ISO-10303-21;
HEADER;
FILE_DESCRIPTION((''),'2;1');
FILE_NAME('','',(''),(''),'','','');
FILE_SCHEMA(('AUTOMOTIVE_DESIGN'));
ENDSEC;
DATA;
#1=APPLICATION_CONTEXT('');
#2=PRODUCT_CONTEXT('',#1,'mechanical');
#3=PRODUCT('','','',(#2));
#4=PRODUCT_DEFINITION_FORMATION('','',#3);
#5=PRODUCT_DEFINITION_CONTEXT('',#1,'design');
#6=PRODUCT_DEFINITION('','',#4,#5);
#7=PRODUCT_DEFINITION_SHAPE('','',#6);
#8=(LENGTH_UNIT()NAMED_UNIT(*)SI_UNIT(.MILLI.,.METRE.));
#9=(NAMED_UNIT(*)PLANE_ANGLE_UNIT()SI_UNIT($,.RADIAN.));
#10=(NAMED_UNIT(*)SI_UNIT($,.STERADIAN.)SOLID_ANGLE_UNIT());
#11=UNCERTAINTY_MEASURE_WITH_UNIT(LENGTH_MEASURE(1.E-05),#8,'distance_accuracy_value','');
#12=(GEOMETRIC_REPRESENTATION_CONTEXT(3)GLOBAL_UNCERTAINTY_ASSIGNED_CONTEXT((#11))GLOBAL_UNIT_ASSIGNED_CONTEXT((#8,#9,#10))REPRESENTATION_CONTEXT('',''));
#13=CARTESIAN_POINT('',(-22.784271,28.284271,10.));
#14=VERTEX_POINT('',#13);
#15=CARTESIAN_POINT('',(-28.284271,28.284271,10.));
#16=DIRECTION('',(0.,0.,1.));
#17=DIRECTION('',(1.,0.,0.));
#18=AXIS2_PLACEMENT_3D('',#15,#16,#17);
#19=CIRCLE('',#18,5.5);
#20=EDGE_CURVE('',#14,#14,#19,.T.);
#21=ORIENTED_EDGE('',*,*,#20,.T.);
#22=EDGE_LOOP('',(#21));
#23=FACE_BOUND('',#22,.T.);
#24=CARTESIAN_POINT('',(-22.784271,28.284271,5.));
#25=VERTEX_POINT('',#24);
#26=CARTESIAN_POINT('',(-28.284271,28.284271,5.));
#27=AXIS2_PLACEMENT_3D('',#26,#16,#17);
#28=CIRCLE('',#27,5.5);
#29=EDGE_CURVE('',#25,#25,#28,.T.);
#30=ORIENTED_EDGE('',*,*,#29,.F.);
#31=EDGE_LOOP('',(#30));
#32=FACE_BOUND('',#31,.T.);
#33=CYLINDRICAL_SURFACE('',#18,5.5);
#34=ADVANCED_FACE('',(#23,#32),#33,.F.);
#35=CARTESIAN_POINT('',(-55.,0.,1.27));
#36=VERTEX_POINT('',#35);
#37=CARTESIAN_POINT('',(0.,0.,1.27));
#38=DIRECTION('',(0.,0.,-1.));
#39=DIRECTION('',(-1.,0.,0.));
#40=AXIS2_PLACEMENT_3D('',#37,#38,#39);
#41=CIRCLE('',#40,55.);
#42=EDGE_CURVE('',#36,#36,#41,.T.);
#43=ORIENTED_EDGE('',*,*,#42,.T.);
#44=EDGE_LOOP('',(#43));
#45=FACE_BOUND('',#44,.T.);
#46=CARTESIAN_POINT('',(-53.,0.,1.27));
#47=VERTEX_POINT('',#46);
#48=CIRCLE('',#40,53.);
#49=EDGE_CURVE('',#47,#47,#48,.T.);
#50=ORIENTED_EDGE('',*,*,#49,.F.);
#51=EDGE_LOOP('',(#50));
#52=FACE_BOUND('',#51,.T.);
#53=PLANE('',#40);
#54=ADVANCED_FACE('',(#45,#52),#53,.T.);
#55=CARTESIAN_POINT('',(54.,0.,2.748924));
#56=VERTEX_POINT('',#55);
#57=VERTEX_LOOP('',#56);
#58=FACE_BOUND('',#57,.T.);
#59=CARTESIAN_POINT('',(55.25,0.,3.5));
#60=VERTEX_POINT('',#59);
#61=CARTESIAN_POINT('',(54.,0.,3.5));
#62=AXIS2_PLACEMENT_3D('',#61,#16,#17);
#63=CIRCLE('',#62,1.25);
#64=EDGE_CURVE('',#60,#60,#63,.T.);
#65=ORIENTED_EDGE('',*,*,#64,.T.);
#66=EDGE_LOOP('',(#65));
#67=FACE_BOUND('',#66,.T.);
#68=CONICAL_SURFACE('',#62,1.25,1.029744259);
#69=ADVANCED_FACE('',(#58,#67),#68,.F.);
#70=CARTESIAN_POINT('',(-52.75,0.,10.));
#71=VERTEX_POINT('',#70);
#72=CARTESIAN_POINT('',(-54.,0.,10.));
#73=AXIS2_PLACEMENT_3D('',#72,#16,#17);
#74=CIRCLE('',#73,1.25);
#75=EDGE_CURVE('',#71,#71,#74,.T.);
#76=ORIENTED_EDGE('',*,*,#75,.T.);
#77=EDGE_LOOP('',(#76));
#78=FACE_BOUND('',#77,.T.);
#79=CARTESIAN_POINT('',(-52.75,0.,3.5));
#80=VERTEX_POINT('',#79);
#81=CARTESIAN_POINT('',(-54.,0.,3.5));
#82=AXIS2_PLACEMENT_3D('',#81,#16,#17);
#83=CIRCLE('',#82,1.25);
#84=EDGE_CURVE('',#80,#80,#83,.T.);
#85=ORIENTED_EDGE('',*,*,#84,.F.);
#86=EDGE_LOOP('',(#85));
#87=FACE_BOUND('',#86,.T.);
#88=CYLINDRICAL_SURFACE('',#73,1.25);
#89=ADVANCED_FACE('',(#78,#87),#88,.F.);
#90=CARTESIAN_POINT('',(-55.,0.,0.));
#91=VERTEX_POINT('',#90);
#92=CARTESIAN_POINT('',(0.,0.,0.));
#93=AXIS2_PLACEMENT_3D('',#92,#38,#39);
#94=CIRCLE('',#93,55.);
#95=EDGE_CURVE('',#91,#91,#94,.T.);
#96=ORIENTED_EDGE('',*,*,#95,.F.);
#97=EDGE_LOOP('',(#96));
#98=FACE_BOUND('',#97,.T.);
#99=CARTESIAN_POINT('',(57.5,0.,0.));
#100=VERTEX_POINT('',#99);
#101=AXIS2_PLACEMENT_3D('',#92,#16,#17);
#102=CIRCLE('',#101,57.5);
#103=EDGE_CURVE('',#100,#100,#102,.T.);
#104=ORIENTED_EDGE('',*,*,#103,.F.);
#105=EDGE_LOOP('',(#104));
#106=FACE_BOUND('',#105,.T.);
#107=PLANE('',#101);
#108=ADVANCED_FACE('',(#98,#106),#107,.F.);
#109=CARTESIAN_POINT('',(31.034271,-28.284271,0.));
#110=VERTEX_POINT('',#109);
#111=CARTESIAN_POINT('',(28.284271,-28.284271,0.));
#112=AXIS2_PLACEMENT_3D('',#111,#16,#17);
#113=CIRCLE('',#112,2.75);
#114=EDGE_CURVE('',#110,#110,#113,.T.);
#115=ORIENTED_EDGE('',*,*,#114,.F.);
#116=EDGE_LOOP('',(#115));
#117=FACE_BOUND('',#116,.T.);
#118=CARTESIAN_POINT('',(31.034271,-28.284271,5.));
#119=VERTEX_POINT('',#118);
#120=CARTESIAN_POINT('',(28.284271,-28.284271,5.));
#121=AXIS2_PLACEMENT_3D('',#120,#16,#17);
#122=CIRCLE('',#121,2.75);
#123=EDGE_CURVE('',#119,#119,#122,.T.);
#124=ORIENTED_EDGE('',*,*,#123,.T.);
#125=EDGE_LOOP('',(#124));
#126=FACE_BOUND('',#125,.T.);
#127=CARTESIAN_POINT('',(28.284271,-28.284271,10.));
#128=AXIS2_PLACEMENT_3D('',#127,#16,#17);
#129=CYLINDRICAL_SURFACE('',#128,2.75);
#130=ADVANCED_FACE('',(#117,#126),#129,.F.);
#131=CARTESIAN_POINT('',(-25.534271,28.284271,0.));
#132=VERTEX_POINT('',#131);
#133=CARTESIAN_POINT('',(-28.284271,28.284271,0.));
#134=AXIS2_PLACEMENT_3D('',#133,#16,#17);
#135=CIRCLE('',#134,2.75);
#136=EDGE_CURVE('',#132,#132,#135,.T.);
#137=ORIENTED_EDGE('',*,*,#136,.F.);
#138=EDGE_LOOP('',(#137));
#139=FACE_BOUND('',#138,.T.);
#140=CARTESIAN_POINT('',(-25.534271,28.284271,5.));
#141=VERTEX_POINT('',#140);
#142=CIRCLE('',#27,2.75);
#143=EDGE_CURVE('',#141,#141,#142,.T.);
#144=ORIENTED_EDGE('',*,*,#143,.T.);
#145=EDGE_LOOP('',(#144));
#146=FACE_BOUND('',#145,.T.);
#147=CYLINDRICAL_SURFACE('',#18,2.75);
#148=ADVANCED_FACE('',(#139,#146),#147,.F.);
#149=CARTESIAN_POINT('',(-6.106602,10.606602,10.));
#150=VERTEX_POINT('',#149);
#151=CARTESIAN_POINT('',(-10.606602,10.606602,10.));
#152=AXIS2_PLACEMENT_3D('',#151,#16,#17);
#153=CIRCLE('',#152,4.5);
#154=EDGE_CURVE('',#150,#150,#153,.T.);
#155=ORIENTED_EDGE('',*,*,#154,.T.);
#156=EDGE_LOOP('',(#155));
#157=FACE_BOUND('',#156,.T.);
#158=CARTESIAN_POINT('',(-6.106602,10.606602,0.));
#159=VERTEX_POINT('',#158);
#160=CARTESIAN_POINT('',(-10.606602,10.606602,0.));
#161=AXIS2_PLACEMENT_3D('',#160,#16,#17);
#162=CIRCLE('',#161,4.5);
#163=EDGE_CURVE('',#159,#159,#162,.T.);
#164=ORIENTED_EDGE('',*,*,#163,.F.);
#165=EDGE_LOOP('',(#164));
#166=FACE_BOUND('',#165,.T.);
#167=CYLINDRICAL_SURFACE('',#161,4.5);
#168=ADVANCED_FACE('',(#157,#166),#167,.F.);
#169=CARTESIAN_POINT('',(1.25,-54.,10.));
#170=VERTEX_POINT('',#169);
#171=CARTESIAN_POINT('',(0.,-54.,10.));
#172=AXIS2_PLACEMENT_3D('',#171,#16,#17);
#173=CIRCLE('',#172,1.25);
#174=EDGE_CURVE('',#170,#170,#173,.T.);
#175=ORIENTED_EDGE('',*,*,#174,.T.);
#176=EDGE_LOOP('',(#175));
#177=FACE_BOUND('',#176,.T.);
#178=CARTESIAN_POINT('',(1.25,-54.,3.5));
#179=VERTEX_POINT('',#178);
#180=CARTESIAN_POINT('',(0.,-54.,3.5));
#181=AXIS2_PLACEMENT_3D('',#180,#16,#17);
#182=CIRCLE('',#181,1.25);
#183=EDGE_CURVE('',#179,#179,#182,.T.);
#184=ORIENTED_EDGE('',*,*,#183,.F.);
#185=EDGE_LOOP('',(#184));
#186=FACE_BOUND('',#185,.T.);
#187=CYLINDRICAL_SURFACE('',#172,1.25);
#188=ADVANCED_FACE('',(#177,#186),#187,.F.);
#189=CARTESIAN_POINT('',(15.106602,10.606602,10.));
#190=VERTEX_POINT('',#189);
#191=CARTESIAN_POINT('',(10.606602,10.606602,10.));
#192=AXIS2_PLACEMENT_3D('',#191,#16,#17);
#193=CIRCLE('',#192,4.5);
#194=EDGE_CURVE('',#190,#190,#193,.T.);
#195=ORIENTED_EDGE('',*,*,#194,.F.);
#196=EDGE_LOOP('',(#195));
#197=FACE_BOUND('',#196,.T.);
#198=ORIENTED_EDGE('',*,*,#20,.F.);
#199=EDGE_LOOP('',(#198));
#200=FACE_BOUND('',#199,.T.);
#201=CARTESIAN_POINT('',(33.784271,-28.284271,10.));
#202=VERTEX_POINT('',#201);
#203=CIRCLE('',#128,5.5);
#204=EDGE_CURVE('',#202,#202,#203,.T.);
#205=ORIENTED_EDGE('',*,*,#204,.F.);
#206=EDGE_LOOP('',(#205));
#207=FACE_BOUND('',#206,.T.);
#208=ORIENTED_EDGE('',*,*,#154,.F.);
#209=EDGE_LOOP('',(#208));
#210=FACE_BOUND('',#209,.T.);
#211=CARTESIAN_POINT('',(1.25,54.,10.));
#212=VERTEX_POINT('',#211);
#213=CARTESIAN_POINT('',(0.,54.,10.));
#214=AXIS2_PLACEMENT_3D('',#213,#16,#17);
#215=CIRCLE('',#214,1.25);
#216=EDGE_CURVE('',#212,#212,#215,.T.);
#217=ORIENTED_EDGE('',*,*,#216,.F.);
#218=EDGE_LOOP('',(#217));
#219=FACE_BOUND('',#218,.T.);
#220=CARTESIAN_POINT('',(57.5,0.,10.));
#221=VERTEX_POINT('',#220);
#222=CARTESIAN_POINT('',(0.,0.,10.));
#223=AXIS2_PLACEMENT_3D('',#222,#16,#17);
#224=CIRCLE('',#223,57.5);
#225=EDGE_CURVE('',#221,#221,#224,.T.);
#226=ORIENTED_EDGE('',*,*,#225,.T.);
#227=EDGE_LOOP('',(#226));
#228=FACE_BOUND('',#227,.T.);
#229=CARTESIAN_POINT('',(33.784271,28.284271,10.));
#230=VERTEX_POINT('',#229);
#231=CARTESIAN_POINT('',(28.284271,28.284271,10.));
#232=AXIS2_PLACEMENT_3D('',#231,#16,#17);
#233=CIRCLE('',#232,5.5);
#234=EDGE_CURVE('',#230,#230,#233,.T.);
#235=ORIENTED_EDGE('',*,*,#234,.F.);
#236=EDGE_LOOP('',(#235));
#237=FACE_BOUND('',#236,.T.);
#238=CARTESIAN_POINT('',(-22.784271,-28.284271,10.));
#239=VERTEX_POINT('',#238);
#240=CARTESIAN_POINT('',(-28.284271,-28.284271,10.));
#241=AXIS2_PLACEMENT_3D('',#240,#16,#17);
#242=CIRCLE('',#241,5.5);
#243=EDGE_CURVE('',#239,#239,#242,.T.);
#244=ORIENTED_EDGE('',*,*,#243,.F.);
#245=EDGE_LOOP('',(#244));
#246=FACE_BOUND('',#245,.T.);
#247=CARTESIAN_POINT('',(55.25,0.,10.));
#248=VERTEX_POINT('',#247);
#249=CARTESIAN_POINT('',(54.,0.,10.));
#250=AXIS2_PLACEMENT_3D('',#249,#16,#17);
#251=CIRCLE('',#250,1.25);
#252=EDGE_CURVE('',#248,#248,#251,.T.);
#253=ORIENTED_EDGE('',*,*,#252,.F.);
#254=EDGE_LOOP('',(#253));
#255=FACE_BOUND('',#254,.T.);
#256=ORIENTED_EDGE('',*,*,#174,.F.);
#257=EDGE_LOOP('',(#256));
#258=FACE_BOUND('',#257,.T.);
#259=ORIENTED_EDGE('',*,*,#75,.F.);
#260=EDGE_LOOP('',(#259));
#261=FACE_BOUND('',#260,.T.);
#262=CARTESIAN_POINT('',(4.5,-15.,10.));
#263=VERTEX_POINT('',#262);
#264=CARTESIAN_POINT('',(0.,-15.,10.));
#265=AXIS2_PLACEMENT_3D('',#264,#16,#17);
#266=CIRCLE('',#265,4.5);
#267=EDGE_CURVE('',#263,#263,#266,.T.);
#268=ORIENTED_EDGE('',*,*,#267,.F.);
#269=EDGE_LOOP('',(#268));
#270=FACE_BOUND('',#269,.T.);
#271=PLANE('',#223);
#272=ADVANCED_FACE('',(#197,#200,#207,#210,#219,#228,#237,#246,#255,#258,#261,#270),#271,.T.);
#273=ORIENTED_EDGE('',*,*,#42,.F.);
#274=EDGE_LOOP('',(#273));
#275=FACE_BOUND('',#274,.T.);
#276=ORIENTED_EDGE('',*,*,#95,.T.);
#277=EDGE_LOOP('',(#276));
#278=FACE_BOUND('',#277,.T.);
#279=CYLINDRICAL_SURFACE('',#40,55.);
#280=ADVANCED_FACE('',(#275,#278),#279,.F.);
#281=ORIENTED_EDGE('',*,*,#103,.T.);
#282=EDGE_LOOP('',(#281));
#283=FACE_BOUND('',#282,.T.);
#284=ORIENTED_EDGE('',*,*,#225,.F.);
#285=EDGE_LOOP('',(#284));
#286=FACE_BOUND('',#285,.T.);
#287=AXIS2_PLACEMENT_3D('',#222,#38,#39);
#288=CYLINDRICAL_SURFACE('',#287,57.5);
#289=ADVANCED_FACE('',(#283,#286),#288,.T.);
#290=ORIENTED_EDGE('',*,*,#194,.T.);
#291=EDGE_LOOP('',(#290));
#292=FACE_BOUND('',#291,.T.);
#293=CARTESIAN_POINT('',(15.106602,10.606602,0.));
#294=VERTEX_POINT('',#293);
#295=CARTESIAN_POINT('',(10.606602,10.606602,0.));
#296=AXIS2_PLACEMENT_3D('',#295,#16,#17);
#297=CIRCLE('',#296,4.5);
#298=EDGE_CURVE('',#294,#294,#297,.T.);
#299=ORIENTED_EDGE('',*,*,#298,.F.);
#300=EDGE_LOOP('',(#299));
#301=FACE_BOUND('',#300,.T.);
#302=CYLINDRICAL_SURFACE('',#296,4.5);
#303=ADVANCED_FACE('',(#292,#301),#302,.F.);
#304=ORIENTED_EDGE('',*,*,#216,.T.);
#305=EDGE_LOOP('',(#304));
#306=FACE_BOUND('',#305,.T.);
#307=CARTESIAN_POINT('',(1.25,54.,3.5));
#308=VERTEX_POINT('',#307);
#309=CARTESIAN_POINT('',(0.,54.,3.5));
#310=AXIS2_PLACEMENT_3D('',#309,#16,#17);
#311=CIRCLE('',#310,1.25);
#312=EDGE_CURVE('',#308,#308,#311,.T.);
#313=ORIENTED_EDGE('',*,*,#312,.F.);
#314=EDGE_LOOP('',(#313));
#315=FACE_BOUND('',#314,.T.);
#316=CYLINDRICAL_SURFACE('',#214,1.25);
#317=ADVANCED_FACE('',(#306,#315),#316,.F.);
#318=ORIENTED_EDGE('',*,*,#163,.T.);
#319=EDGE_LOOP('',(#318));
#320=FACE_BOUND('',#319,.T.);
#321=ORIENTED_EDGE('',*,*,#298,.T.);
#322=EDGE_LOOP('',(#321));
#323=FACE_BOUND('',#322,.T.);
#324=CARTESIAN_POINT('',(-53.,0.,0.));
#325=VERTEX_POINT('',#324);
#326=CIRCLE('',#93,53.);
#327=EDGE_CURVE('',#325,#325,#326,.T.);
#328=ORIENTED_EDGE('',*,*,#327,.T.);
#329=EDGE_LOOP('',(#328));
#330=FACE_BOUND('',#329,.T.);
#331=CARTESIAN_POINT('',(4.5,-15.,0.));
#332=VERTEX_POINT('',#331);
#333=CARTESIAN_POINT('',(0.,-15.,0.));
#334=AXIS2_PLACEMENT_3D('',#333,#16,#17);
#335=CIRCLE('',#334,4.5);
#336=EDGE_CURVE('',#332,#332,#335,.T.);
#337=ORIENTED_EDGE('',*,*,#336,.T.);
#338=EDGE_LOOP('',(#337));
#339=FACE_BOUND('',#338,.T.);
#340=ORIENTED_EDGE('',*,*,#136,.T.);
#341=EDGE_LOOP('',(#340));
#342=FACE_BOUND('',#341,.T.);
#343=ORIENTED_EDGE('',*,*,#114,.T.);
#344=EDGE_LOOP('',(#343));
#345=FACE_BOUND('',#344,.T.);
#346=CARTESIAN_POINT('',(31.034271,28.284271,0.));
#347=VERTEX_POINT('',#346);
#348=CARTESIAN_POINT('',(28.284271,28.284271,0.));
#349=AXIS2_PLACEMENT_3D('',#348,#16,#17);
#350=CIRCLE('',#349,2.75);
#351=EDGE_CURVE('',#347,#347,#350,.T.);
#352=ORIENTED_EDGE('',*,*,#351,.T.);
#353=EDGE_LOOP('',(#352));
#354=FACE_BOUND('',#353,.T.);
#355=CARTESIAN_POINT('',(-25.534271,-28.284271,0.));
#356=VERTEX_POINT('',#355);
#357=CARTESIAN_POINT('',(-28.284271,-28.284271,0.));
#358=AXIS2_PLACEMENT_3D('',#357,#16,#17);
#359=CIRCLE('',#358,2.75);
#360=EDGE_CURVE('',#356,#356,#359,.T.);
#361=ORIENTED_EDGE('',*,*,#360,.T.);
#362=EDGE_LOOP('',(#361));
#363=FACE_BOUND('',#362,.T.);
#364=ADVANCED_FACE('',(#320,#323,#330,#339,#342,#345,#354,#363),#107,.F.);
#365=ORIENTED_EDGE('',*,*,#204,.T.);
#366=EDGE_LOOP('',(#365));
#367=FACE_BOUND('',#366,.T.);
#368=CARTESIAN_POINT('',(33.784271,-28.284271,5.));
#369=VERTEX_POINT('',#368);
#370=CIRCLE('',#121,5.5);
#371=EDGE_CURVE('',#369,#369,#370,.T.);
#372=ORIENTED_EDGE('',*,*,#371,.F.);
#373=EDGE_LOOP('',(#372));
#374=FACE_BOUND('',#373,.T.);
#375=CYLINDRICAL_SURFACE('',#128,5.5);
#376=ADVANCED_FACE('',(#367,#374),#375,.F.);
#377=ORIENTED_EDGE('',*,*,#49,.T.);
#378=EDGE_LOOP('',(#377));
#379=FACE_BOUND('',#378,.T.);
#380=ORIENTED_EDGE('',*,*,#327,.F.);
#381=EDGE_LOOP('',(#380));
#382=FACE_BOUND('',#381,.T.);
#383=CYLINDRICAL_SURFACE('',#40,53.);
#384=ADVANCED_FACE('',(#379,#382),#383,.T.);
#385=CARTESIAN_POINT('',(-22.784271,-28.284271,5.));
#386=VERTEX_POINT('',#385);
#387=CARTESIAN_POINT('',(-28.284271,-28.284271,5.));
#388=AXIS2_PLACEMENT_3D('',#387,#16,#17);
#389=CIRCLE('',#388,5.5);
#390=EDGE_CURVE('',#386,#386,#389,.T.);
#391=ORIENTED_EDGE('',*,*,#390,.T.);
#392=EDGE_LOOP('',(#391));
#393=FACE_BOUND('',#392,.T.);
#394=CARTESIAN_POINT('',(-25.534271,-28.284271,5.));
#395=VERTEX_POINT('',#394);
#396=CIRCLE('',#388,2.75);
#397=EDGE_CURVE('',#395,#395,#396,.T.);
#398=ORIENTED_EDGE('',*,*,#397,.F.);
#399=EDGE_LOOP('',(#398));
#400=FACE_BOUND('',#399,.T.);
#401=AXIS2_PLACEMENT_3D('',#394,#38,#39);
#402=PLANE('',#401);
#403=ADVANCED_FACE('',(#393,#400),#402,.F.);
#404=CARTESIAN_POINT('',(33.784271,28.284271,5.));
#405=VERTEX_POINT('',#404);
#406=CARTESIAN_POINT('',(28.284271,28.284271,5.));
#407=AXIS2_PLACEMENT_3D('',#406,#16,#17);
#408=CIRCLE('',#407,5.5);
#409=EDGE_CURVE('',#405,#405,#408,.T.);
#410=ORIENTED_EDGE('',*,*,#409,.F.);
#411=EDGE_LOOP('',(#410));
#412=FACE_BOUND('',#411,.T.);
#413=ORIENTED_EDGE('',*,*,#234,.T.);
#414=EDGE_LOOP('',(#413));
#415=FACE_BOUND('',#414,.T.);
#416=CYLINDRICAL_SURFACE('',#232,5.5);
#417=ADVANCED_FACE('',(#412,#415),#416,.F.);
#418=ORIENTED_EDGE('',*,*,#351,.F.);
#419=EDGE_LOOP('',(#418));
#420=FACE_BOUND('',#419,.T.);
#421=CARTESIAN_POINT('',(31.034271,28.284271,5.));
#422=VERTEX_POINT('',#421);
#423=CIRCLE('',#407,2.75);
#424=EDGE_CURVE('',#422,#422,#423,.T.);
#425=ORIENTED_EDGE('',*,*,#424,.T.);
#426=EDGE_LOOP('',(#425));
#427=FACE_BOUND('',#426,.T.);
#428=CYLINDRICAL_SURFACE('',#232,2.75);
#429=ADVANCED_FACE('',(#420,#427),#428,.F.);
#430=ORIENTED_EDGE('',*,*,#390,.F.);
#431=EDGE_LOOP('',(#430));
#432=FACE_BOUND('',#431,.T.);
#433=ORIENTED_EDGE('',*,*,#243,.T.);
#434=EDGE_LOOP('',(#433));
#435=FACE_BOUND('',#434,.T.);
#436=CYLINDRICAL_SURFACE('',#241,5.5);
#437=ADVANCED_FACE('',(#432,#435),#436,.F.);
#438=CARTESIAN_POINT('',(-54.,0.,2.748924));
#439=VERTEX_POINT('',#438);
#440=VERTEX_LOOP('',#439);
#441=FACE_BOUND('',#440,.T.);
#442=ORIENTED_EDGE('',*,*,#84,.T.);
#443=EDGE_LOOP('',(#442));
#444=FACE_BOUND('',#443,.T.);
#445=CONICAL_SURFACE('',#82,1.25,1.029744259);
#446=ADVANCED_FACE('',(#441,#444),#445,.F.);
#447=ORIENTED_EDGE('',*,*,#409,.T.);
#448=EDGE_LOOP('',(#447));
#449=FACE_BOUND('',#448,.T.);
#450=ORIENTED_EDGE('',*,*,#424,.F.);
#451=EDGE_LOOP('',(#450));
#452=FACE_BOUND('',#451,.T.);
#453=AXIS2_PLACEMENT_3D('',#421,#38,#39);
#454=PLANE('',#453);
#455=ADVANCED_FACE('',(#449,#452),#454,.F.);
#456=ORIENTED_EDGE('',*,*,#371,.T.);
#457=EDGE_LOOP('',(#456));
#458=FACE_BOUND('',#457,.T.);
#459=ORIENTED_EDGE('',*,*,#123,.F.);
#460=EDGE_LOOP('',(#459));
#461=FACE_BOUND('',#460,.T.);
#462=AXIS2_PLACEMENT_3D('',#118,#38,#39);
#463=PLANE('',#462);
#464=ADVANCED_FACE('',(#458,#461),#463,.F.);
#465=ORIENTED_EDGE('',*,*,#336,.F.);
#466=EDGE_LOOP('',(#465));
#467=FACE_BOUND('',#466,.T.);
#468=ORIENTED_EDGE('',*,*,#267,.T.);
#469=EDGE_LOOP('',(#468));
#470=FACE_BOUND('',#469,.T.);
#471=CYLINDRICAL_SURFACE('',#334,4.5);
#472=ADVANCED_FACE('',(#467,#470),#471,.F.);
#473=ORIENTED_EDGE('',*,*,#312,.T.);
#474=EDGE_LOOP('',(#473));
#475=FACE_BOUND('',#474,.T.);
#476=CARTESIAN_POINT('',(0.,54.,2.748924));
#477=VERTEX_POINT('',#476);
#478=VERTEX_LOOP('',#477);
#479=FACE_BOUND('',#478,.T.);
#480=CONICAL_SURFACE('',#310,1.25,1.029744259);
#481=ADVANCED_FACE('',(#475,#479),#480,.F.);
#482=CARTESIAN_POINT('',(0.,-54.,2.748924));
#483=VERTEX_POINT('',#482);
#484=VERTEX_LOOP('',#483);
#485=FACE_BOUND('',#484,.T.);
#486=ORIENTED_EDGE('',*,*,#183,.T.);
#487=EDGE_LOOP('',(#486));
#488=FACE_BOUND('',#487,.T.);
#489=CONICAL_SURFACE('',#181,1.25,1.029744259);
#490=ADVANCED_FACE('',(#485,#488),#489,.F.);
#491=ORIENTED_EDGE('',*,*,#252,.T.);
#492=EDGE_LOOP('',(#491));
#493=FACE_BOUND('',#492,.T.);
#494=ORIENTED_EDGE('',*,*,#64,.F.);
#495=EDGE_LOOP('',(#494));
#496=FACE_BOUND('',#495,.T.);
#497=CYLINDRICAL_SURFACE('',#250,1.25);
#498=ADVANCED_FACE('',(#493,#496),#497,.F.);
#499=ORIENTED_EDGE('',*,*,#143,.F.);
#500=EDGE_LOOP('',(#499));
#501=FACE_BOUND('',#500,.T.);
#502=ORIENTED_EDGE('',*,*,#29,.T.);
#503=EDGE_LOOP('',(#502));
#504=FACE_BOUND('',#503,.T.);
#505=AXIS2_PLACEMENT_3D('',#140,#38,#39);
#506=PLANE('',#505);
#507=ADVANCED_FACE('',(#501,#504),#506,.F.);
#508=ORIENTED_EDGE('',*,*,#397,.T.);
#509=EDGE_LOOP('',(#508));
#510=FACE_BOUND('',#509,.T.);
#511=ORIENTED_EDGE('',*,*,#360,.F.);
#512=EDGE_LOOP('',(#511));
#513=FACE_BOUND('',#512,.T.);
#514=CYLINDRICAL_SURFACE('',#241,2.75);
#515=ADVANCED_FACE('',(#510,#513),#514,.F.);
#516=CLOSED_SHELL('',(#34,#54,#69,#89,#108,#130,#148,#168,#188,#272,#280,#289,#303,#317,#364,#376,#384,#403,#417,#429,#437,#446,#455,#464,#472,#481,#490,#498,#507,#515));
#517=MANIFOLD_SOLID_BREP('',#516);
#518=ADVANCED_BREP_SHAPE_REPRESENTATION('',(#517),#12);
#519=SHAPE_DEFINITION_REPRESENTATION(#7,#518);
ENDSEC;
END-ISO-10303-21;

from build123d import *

# Parameters (mm, degrees)
SKETCH1_R           = 57.5
BOSS_EXTRUDE1_DEPTH = 10
SKETCH3_R           = 4.5
CUT_EXTRUDE2_DEPTH  = 10
SKETCH8_R           = 55
SKETCH8_R_2         = 53
CUT_EXTRUDE6_DEPTH  = 1.27
CIRPATTERN2_COUNT   = 4
HOLE1_D             = 5.5
HOLE1_DEPTH         = 10
HOLE1_CBORE_D       = 11
HOLE1_CBORE_DEPTH   = 5
CIRPATTERN3_COUNT   = 4


with BuildPart() as part:
    # Sketch1 → Boss-Extrude1 (new body)
    with BuildSketch(Plane.XY):
        Circle(SKETCH1_R)
    extrude(amount=BOSS_EXTRUDE1_DEPTH)

    # Sketch3 → Cut-Extrude2 (cut)
    with BuildSketch(Plane.XY.offset(10)):
        with Locations((0, -15)):
            Circle(SKETCH3_R)
        with Locations((10.606601718, 10.606601718)):
            Circle(SKETCH3_R)
        with Locations((-10.606601718, 10.606601718)):
            Circle(SKETCH3_R)
    extrude(amount=-CUT_EXTRUDE2_DEPTH, mode=Mode.SUBTRACT)

    # Sketch8 → Cut-Extrude6 (cut)
    with BuildSketch(Plane(origin=(0, 0, 0), x_dir=(-1, 0, 0), z_dir=(0, 0, -1))):
        Circle(SKETCH8_R)
        Circle(SKETCH8_R_2, mode=Mode.SUBTRACT)
    extrude(amount=-CUT_EXTRUDE6_DEPTH, mode=Mode.SUBTRACT)

    # Sketch10 → M3 Tapped Hole1 (revolve, cut)
    with BuildSketch(Plane(origin=(0, 54, 10), x_dir=(0, -1, 0), z_dir=(1, 0, 0))):
        Polygon((0, 0), (0, 7.251075774), (1.25, 6.5), (1.25, 0), align=None)
    m3_tapped_hole1 = revolve(axis=Axis((0, 54, 16.35), (0, 0, -1)), mode=Mode.SUBTRACT)

    # CirPattern2: M3 Tapped Hole1 ×4 about axis
    cirpattern2_axis = Axis((0, 0, 0), (0, 0, 1))
    for i in range(1, CIRPATTERN2_COUNT):
        add(m3_tapped_hole1.rotate(cirpattern2_axis, i * 360 / CIRPATTERN2_COUNT), mode=Mode.SUBTRACT)

    # Hole1
    with Locations(Plane.XY.offset(10)):
        with Locations((28.284271247, 28.284271247)):
            hole1 = CounterBoreHole(HOLE1_D / 2, HOLE1_CBORE_D / 2, HOLE1_CBORE_DEPTH, depth=HOLE1_DEPTH)

    # CirPattern3: Hole1 ×4 about axis
    cirpattern3_axis = Axis((0, 0, 0), (0, 0, 1))
    for i in range(1, CIRPATTERN3_COUNT):
        add(hole1.rotate(cirpattern3_axis, i * 360 / CIRPATTERN3_COUNT), mode=Mode.SUBTRACT)


solid = part.part
